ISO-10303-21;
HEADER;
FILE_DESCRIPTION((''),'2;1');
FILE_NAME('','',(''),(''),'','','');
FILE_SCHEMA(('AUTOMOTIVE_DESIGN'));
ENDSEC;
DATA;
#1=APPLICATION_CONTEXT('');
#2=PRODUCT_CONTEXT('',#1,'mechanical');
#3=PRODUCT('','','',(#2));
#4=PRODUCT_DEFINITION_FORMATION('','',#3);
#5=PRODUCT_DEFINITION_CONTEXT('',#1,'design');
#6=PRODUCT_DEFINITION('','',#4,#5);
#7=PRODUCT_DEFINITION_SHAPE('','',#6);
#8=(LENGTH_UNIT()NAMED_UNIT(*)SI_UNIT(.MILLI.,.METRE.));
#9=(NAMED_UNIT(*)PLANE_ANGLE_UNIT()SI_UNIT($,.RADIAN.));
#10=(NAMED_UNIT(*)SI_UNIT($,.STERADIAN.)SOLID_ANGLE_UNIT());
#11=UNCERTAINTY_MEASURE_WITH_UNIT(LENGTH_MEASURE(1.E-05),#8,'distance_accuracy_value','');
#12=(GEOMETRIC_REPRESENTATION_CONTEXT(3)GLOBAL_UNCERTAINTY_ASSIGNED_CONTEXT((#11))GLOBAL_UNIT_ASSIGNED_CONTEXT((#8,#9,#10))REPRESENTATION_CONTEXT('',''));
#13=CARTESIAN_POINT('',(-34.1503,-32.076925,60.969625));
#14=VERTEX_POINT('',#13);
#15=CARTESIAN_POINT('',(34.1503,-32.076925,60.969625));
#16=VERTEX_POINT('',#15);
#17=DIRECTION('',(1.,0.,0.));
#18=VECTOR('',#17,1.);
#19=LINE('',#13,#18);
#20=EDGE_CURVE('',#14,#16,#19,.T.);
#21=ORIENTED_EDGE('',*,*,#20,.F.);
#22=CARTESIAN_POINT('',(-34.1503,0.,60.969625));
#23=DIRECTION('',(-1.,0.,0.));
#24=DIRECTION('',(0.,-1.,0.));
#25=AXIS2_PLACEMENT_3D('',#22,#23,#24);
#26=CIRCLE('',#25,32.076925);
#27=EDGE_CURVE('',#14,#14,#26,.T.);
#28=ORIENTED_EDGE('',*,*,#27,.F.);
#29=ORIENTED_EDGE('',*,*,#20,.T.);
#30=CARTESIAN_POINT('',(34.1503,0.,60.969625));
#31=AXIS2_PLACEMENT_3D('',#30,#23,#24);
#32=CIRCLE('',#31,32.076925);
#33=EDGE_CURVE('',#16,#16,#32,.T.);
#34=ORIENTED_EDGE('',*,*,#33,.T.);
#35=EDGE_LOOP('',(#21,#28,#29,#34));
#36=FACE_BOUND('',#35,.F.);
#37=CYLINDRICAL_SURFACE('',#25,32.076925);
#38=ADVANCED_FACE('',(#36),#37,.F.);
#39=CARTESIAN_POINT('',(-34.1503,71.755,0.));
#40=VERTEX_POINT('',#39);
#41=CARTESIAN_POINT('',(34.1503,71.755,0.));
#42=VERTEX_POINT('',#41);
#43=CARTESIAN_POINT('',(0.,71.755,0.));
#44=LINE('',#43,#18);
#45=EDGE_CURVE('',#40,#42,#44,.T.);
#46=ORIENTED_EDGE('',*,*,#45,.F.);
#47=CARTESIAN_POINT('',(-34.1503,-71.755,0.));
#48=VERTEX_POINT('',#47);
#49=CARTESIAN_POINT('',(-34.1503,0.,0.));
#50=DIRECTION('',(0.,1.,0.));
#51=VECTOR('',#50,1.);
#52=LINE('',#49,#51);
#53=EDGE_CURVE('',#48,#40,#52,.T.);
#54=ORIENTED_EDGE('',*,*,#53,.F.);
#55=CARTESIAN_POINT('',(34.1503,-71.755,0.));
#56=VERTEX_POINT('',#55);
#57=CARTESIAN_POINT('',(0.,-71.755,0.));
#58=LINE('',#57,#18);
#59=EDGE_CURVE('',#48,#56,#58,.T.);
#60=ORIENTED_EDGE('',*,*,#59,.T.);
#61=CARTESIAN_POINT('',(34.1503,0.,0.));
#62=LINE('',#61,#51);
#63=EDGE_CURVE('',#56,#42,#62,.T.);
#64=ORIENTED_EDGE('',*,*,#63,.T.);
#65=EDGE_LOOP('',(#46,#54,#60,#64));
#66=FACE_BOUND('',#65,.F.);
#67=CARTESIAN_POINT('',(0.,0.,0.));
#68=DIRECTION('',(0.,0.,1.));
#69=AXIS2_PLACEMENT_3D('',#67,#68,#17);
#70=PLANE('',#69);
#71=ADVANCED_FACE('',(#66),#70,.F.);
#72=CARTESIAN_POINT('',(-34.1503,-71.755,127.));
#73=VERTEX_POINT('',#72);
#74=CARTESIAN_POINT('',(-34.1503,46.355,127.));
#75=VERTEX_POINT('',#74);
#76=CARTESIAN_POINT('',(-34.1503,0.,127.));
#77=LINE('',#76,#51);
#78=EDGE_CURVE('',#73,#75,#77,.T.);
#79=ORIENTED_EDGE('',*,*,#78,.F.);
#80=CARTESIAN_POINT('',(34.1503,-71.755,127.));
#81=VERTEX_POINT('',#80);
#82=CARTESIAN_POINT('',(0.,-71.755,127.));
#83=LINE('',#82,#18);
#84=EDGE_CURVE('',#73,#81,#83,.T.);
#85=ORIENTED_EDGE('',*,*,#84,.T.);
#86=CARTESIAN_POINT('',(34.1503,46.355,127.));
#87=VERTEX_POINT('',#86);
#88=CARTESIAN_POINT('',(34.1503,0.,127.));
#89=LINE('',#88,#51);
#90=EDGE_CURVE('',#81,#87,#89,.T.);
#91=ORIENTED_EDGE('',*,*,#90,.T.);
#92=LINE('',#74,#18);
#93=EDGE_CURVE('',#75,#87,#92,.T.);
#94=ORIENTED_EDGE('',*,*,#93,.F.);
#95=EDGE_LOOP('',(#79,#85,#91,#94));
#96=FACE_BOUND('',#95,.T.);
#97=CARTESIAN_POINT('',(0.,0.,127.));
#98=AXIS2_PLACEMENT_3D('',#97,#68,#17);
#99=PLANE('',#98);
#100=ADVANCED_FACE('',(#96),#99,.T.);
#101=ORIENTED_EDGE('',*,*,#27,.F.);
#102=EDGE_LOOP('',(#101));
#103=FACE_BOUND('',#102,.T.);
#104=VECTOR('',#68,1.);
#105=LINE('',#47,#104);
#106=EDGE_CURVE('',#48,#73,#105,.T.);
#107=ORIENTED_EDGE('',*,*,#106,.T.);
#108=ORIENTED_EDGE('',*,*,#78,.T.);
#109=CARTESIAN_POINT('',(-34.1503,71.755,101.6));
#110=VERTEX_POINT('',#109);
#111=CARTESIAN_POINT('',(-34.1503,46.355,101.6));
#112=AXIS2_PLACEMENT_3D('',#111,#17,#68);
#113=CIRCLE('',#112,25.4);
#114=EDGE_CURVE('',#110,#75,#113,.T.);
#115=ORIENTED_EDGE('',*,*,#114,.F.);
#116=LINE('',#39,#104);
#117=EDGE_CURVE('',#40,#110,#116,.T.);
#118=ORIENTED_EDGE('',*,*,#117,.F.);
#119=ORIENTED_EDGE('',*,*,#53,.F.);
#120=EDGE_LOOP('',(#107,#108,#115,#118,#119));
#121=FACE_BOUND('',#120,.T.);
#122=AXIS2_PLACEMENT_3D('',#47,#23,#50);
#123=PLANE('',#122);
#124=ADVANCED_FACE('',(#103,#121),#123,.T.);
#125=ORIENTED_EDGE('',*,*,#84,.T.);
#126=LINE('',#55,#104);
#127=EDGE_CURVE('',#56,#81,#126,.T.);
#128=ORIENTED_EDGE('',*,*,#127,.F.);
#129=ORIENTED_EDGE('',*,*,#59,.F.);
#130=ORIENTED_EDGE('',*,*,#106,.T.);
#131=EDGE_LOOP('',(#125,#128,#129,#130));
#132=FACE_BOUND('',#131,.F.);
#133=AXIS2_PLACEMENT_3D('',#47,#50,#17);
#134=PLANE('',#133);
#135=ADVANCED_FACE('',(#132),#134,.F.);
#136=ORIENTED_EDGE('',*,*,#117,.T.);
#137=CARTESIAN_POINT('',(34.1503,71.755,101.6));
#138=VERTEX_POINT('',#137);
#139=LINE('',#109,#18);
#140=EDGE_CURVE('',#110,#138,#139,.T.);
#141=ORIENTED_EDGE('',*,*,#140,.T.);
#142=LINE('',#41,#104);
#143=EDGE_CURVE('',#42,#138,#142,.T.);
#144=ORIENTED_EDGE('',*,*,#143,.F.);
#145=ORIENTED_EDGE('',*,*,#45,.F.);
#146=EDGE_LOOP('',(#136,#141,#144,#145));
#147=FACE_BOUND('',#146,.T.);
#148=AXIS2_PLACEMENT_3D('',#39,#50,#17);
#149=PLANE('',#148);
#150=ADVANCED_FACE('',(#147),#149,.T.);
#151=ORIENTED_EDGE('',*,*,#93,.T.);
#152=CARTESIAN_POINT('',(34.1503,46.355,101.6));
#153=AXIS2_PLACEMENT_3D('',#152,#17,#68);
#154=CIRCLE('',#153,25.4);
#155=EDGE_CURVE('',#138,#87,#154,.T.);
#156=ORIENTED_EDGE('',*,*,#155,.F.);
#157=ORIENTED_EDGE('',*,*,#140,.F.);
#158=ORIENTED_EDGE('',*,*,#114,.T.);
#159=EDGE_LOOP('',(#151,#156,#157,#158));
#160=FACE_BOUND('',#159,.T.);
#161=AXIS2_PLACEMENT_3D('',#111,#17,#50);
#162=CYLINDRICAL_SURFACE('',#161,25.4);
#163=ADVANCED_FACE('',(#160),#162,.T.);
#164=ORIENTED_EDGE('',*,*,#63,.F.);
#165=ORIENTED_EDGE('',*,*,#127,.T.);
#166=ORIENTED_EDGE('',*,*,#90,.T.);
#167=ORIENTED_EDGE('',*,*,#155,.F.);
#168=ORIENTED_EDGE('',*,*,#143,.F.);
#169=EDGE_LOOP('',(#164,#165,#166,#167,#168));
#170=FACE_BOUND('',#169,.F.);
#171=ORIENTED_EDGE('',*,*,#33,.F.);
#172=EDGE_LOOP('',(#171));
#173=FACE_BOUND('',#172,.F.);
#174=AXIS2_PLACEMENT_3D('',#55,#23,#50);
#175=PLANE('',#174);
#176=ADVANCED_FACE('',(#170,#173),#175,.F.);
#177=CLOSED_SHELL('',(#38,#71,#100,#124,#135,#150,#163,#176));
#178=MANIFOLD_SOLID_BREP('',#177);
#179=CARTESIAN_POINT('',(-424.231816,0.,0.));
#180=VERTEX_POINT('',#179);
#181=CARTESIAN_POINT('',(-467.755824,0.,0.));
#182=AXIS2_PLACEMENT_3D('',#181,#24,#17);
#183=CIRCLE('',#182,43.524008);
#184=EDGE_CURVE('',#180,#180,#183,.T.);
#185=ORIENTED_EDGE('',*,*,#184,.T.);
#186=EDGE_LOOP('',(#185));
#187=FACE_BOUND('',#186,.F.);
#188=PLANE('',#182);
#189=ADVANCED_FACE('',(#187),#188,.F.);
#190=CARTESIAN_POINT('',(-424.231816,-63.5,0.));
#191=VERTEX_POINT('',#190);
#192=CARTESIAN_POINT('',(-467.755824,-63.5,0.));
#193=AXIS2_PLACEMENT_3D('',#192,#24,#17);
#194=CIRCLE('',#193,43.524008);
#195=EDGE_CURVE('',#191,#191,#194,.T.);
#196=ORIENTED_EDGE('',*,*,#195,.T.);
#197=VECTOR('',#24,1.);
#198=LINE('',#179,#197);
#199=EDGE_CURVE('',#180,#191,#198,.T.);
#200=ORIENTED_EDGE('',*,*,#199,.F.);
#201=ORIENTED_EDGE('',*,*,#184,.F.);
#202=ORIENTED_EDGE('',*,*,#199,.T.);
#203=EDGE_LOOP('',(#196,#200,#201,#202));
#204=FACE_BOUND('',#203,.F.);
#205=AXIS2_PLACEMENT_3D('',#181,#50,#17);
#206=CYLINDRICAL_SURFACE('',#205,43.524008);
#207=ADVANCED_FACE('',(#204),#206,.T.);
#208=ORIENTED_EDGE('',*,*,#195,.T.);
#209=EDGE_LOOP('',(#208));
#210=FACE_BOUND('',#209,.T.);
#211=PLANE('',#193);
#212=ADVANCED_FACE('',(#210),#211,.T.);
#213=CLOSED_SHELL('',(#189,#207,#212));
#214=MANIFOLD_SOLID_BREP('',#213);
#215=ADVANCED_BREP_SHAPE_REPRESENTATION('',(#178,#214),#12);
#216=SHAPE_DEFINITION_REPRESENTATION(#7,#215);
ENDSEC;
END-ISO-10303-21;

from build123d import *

# Parameters (mm, degrees)
F0_W     = 68.3006
F0_H     = 143.51
F1_DEPTH = 127
F2_R     = 25.4
F3_R     = 32.076925
F4_DEPTH = 68.3016
F5_R     = 43.524008
F6_DEPTH = 63.5


with BuildPart() as f1:
    # F0 (on Top) → F1 (new body)
    with BuildSketch(Plane.XY):
        Rectangle(F0_W, F0_H)
    extrude(amount=F1_DEPTH)

    # F2
    f2_edges = [f1.edges().sort_by_distance(p)[0] for p in [
        (0, 71.755, 127),
    ]]
    fillet(f2_edges, radius=F2_R)

    # F3 (on face) → F4 (cut, through all)
    with BuildSketch(Plane(origin=(-34.1503, 0, 0), x_dir=(0, -1, 0), z_dir=(-1, 0, 0))):
        with Locations((0, 60.969625)):
            Circle(F3_R)
    extrude(amount=-F4_DEPTH, mode=Mode.SUBTRACT)


with BuildPart() as f6:
    # F5 (on Front) → F6 (new body)
    with BuildSketch(Plane.XZ):
        with Locations((-467.755824, 0)):
            Circle(F5_R)
    extrude(amount=F6_DEPTH)


solid = Compound([f1.part, f6.part])
